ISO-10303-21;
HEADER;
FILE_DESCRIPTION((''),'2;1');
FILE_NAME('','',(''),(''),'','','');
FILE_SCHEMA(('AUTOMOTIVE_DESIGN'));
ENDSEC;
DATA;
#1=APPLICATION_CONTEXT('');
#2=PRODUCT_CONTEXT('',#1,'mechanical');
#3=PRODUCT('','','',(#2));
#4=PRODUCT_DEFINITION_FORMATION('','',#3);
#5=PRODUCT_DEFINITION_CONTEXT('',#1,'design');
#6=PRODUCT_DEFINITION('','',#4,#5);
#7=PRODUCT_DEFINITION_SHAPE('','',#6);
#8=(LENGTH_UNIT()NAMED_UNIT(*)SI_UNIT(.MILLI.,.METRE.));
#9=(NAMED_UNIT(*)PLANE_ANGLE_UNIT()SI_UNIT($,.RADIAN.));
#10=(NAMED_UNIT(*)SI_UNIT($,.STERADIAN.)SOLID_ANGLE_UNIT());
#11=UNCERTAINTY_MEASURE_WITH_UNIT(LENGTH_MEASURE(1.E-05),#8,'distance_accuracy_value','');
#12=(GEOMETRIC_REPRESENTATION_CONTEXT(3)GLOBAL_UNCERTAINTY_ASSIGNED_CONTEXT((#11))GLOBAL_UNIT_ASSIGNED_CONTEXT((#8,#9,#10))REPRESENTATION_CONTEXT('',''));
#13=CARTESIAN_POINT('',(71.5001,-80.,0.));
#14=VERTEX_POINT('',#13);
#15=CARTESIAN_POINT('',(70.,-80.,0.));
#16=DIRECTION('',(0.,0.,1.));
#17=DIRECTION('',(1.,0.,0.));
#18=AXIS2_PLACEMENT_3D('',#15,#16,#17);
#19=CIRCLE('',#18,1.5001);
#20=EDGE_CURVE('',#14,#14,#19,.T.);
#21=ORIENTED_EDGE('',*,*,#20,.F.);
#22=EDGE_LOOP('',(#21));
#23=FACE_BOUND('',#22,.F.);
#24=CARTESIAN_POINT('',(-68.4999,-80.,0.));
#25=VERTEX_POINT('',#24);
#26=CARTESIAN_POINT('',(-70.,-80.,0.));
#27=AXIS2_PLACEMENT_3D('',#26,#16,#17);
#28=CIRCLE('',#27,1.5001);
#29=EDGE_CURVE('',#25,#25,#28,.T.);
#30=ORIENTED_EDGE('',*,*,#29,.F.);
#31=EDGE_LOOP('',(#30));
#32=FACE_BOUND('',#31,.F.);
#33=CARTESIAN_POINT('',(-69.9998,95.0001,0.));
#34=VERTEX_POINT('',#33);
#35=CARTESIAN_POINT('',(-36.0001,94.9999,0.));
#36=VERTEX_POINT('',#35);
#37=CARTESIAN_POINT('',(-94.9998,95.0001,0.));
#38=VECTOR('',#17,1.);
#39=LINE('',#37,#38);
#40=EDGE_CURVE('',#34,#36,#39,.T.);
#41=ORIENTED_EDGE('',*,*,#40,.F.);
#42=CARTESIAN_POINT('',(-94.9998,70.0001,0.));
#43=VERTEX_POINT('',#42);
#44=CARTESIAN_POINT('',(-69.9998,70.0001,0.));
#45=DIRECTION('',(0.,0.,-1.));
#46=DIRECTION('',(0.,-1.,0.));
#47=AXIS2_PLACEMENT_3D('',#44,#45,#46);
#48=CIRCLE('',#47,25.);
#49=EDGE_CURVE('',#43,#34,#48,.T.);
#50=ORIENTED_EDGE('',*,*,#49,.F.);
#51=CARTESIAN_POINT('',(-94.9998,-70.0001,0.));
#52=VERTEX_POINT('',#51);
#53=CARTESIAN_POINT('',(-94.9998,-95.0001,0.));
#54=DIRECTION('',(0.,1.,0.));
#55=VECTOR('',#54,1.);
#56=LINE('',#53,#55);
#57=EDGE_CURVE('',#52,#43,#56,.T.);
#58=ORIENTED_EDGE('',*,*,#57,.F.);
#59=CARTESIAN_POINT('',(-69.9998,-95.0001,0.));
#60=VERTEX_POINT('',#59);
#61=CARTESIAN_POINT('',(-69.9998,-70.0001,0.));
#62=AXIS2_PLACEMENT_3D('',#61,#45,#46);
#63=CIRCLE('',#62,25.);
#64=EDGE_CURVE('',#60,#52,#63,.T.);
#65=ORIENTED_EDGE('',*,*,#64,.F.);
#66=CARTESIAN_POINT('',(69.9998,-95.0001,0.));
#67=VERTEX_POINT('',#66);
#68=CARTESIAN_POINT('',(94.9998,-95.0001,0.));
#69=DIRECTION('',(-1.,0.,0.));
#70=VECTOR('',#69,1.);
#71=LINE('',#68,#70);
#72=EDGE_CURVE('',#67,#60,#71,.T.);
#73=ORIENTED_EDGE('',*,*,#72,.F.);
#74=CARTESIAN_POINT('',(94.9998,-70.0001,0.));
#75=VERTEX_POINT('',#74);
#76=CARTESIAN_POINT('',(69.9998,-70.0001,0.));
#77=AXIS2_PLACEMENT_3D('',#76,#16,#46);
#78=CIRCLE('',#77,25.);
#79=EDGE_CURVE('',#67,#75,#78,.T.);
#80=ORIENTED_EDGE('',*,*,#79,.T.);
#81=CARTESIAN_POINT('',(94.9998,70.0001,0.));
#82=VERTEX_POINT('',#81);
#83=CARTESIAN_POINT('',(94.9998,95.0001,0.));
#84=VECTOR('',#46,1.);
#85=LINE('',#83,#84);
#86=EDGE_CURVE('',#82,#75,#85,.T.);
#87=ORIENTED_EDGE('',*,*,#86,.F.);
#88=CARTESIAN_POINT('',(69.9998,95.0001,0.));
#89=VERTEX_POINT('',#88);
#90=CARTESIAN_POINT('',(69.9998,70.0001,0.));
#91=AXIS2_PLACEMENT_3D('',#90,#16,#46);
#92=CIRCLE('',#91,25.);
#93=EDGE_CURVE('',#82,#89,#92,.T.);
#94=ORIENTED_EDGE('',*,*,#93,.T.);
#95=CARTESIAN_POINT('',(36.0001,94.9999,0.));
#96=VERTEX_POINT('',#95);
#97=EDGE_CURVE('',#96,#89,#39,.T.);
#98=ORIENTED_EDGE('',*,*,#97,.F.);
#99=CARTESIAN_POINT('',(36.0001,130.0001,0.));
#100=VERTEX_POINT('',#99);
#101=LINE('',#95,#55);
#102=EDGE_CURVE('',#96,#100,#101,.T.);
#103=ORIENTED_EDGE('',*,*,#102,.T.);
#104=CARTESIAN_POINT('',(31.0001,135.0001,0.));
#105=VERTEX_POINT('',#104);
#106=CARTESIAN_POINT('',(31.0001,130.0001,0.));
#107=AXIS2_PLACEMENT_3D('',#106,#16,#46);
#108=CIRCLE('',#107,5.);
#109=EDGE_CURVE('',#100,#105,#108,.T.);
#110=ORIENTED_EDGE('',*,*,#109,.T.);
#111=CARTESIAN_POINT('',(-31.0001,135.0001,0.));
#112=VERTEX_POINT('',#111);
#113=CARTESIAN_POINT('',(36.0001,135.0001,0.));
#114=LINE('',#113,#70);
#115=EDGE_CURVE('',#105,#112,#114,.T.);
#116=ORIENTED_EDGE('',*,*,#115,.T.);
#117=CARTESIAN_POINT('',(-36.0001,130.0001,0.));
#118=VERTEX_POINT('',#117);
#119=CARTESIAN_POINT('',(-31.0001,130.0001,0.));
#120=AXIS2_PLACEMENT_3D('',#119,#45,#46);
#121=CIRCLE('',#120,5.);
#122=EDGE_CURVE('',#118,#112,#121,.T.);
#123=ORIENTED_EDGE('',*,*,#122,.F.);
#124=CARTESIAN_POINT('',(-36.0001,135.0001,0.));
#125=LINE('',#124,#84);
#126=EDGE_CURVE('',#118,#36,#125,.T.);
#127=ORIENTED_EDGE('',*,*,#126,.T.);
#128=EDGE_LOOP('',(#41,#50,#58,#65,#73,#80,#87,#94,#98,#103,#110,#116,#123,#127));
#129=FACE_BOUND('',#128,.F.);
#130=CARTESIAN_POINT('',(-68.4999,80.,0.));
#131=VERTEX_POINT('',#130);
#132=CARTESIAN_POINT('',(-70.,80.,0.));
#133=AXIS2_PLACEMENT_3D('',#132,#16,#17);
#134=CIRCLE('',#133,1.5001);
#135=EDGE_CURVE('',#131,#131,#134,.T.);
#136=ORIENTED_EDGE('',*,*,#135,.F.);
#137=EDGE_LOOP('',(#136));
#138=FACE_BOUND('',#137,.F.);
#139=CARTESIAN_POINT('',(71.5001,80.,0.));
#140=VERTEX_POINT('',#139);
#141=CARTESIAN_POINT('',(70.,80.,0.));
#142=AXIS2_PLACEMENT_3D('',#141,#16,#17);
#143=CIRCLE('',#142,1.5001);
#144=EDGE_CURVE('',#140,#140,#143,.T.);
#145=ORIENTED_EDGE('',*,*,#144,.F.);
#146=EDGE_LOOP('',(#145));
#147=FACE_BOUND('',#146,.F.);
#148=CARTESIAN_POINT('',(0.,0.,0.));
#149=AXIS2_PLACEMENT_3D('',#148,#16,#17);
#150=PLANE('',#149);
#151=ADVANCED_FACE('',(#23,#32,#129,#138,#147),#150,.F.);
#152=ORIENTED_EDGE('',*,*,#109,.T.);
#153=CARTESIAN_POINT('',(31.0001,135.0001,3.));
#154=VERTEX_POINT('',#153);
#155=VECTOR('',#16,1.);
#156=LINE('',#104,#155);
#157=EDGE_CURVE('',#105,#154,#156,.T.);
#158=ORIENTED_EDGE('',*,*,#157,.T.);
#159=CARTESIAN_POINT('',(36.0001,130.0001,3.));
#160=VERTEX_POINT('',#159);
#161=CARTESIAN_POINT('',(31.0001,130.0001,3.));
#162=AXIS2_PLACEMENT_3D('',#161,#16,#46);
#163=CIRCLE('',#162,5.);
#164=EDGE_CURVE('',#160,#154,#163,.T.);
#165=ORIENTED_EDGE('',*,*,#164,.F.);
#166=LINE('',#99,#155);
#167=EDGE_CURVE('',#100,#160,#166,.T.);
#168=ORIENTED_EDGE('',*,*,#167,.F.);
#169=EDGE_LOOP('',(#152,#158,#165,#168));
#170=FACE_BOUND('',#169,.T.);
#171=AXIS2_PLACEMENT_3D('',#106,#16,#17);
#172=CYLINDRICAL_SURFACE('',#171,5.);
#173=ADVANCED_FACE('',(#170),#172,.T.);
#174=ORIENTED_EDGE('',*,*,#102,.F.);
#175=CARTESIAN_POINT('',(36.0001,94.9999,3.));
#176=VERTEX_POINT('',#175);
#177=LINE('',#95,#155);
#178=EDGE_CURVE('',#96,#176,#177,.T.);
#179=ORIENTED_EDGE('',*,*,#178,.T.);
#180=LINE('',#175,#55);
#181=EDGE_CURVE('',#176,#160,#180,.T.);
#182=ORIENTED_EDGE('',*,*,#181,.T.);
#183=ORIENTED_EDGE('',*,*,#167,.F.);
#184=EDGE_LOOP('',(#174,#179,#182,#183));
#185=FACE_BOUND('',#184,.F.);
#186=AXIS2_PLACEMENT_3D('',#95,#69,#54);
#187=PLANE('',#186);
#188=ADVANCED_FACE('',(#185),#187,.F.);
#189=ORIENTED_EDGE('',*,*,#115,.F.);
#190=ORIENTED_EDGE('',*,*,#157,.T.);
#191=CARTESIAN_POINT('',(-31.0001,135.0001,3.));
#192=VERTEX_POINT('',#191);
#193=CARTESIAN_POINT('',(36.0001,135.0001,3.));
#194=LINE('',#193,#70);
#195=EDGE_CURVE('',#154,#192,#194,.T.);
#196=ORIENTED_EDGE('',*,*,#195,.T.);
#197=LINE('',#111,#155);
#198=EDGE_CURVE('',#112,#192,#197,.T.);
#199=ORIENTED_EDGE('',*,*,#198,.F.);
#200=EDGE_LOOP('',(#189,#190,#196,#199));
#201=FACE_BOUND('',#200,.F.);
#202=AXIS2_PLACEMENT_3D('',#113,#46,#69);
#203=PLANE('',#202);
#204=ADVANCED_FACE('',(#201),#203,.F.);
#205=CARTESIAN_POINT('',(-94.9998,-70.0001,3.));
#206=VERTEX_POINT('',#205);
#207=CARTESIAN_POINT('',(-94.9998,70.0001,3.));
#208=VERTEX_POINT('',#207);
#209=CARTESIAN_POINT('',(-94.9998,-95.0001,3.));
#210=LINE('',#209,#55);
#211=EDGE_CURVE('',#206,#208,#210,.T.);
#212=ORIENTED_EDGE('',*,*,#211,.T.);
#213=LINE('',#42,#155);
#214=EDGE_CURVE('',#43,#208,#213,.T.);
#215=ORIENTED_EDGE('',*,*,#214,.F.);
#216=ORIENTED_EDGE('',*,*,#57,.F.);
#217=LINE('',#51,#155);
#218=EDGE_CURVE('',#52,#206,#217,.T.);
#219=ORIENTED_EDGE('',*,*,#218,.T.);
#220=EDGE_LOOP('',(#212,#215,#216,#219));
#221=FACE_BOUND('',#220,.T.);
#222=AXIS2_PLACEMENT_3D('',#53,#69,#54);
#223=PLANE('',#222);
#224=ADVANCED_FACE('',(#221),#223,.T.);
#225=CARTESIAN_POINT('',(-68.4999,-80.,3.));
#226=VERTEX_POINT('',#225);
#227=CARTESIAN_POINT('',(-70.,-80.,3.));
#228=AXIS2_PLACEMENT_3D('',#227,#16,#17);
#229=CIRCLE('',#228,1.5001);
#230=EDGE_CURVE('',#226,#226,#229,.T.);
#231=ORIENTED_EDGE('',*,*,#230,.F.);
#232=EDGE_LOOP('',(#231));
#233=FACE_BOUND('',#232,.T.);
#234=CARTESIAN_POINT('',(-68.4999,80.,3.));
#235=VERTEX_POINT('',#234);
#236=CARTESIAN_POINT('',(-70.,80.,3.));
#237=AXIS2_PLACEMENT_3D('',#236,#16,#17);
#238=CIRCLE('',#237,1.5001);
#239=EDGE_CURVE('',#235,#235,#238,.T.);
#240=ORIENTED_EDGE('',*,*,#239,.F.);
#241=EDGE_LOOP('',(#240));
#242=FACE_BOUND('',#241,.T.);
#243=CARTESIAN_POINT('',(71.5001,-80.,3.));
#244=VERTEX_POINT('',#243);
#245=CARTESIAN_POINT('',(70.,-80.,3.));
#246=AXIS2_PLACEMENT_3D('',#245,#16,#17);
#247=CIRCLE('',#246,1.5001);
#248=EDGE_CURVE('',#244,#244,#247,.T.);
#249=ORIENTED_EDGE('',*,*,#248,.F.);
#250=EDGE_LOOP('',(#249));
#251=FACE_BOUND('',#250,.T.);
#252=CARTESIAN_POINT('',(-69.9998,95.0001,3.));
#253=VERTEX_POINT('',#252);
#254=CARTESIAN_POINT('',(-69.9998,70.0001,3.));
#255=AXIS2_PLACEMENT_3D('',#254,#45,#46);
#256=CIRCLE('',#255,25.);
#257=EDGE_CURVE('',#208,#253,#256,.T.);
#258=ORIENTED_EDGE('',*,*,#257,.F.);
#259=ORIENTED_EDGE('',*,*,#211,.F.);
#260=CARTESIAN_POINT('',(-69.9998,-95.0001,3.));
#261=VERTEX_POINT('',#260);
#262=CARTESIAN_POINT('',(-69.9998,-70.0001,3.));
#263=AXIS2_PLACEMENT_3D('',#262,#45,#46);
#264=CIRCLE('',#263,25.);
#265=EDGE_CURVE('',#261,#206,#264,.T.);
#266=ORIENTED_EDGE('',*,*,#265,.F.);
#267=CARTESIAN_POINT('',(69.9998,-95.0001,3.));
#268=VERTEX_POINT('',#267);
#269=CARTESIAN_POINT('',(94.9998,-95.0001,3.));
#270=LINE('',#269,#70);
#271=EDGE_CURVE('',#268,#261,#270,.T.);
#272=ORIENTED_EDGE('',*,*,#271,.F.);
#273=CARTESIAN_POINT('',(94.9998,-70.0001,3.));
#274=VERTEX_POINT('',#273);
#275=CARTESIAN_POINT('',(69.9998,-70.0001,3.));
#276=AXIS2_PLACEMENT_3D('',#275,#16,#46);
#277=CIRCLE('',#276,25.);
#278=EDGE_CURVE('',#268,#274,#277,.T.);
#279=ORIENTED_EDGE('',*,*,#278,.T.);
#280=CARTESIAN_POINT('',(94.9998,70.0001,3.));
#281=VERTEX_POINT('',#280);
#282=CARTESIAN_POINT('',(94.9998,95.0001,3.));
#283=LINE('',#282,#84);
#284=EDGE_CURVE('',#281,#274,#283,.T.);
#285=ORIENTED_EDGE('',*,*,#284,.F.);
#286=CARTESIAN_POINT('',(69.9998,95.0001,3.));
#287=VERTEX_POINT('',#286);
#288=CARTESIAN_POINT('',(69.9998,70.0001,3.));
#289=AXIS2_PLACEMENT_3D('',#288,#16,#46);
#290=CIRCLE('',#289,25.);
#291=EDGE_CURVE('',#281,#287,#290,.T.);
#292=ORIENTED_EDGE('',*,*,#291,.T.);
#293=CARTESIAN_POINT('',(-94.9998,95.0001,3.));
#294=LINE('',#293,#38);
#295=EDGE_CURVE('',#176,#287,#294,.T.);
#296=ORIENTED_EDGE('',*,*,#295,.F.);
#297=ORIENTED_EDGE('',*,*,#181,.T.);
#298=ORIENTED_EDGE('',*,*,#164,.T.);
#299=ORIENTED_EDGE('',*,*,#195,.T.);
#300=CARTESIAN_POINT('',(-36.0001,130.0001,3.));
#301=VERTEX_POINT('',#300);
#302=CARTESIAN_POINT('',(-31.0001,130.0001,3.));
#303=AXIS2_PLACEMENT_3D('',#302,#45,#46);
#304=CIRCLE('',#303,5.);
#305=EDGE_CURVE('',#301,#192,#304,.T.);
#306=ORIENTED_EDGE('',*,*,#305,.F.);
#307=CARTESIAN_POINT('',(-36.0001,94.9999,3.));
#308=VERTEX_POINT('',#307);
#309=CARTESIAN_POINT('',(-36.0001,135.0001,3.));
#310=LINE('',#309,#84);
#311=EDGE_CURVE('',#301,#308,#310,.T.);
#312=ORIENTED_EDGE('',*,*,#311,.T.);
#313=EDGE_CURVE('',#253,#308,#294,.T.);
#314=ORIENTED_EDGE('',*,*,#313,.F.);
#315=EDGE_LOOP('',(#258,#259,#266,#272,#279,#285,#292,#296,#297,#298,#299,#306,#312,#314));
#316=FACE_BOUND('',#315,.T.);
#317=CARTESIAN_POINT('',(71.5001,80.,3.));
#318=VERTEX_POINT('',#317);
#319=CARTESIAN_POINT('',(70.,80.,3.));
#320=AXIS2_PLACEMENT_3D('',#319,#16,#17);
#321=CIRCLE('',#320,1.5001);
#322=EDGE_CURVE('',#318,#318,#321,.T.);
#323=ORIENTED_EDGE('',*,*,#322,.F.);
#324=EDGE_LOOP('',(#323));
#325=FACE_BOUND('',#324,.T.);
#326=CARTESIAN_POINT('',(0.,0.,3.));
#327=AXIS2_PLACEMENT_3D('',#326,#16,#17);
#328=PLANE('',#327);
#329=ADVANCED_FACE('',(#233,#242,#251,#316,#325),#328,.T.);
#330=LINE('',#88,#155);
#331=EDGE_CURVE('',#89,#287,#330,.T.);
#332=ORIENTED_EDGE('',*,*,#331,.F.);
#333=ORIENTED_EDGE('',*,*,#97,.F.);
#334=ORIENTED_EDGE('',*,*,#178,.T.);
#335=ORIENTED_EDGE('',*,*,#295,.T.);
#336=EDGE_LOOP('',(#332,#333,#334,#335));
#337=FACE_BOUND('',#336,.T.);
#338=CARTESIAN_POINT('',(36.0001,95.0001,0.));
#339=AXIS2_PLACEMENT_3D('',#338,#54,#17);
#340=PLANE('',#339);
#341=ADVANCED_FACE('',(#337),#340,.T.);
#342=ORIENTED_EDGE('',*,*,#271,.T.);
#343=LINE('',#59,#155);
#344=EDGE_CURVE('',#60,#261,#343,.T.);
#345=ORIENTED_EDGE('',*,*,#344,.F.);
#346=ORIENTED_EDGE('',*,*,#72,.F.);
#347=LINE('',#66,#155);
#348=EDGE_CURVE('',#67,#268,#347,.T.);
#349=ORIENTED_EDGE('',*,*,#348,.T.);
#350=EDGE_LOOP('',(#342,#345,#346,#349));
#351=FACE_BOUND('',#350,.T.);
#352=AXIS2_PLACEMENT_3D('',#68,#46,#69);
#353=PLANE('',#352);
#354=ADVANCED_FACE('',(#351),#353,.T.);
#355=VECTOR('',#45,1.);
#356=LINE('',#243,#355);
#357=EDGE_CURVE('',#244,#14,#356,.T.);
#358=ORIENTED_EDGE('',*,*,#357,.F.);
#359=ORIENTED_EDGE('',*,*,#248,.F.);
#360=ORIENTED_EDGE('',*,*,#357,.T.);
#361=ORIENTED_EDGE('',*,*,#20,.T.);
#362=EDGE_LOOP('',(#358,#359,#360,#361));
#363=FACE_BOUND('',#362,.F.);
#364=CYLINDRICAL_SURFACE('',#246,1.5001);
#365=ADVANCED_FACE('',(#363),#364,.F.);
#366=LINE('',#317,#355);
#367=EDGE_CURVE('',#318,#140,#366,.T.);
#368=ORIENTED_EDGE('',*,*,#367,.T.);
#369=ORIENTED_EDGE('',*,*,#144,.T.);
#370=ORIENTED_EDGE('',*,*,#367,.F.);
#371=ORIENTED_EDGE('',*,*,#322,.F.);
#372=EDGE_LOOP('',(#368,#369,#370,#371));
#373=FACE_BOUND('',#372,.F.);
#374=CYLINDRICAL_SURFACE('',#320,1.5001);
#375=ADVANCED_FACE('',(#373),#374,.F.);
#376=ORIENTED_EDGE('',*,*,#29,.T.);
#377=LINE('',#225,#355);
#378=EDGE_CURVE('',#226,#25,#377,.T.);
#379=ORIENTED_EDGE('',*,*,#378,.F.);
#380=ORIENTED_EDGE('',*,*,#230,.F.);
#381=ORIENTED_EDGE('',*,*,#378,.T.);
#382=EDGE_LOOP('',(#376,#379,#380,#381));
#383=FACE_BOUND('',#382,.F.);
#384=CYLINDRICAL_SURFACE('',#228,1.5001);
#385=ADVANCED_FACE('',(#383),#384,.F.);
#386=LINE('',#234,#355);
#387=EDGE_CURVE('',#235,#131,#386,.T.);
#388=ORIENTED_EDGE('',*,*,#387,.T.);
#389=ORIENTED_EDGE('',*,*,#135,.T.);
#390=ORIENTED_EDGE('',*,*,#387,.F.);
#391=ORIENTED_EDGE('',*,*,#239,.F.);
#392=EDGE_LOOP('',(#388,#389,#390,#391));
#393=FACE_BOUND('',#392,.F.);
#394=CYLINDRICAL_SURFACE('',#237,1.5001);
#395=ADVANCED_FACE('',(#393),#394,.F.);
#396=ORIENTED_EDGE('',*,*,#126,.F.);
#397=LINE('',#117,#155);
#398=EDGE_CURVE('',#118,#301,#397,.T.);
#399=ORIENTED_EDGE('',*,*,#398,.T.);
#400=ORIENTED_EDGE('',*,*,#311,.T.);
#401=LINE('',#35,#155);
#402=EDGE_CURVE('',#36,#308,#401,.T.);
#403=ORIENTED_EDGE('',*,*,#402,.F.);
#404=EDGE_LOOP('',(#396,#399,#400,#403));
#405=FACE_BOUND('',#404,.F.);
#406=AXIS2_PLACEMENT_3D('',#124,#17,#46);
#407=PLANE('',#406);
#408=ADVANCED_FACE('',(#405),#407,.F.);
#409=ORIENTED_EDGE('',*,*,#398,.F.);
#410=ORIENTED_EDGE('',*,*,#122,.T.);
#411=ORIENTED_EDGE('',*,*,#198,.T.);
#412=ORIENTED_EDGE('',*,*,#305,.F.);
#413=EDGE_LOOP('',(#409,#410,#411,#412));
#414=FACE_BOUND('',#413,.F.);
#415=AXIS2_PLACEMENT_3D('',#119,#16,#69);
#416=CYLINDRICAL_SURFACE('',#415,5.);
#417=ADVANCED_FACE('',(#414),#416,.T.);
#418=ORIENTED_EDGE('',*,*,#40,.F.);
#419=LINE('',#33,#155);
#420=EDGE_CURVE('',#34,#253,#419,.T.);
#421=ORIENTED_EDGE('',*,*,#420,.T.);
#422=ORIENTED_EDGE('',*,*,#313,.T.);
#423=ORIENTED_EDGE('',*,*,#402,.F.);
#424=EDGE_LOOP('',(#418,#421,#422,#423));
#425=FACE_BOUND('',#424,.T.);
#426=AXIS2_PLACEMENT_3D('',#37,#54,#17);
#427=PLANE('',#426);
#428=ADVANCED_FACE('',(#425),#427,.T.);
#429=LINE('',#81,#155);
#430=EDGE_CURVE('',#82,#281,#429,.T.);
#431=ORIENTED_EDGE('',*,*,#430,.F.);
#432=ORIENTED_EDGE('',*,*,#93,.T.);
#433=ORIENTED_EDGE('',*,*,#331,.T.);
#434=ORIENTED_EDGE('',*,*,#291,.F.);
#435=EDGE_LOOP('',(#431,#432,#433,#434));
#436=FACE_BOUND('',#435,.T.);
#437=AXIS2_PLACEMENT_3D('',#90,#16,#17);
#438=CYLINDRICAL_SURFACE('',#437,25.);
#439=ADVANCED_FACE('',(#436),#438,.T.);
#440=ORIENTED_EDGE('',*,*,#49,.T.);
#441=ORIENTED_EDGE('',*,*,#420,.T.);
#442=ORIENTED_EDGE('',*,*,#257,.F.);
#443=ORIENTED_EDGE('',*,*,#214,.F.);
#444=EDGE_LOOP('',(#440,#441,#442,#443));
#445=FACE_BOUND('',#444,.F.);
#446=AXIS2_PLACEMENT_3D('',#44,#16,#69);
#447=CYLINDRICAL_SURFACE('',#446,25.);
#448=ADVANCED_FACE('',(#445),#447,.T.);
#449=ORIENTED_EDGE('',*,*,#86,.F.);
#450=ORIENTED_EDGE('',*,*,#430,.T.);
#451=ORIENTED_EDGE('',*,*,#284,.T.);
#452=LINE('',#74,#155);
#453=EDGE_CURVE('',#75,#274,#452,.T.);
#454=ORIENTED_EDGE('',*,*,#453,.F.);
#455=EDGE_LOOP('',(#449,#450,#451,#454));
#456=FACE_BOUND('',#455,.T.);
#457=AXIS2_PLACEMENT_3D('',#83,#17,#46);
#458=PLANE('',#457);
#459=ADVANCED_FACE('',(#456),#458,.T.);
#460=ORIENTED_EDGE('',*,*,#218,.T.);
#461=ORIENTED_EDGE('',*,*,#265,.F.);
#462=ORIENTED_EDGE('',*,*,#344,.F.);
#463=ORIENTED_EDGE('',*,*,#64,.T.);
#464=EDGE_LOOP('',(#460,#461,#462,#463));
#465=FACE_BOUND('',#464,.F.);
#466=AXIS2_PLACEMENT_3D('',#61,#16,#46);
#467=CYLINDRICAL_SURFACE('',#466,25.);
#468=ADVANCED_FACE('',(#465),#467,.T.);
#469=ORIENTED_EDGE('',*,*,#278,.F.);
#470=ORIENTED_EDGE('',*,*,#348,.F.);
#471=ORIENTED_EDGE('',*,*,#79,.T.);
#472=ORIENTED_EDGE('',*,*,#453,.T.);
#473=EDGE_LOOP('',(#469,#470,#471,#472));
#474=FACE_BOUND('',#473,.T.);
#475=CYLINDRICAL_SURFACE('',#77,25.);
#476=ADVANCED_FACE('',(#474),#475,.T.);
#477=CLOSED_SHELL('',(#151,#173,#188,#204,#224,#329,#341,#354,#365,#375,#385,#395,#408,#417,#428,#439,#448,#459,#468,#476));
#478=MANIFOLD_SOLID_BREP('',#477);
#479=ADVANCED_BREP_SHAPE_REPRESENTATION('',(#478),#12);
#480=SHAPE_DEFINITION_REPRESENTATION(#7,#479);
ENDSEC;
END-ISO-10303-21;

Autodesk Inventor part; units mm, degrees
ref_plane "YZ Plane" through (0, 0, 0) normal (1, 0, 0) x (0, 1, 0)
ref_plane "XZ Plane" through (0, 0, 0) normal (0, 1, 0) x (-1, 0, 0)
ref_plane "XY Plane" through (0, 0, 0) normal (0, 0, 1) x (1, 0, 0)
sketch "Sketch1" plane through (0, 0, 0) normal (0, 0, 1) x (1, 0, 0)
  point P0 (0, 0)
sketch "Sketch2" plane through (0, 0, 0) normal (0, 0, 1) x (1, 0, 0)
  line L0 (94.9998, -95.0001) -> (-94.9998, -95.0001)
  line L1 (-94.9998, -95.0001) -> (-94.9998, 95.0001)
  line L2 (-94.9998, 95.0001) -> (94.9998, 95.0001)
  line L3 (94.9998, 95.0001) -> (94.9998, -95.0001)
  line L4 (94.9998, -95.0001) -> (-94.9998, 95.0001) construction
  line L5 (-94.9998, -95.0001) -> (94.9998, 95.0001) construction
  line L6 (-36.0001, 94.9999) -> (36.0001, 94.9999)
  line L7 (36.0001, 94.9999) -> (36.0001, 135.0001)
  line L8 (36.0001, 135.0001) -> (-36.0001, 135.0001)
  line L9 (-36.0001, 135.0001) -> (-36.0001, 94.9999)
  line L10 (-36.0001, 94.9999) -> (36.0001, 135.0001) construction
  line L11 (36.0001, 94.9999) -> (-36.0001, 135.0001) construction
  point P0 (0, 115)
  point P1 (-36.0001, 95.0001)
  point P2 (36.0001, 95.0001)
extrude "Extrusion1" add sketch "Sketch2" along normal blind 3
sketch "Standoff holes" plane through (0, 0, 3) normal (0, 0, 1) x (1, 0, 0)
  circle A0 centre (70, 80) radius 1.5001
  circle A1 centre (70, -80) radius 1.5001
  circle A2 centre (-70, 80) radius 1.5001
  circle A3 centre (-70, -80) radius 1.5001
extrude "Extrusion2" cut sketch "Standoff holes" against normal blind 3
fillet "Fillet5" radius 25 4 edges at (-94.9998, 95.0001, 1.5) (94.9998, 95.0001, 1.5) (-94.9998, -95.0001, 1.5) (94.9998, -95.0001, 1.5)
fillet "Fillet6" radius 5 2 edges at (-36.0001, 135.0001, 1.5) (36.0001, 135.0001, 1.5)
sketch "Large Hammond mount holes" plane through (0, 0, 3) normal (0, 0, 1) x (1, 0, 0)
  circle A0 centre (17.6939, 39.717) radius 2.0002
  circle A1 centre (-18.3061, 125.717) radius 2.0002
sketch "BNC flange mount" plane through (0, 0, 3) normal (0, 0, 1) x (1, 0, 0)
  circle A0 centre (0, 0) radius 6.5
sketch "PX4FLOW mount holes" plane through (0, 0, 0) normal (0, 0, -1) x (-1, 0, 0)
  circle A0 centre (19.5263, 119.2212) radius 1.5872
  circle A1 centre (-4.2863, 119.2212) radius 1.5872
  circle A2 centre (-4.2863, 119.2212) radius 1.5872
  circle A3 centre (-4.2863, 89.0588) radius 1.5872
  circle A4 centre (19.5263, 89.0588) radius 1.5872
sketch "Guard rails mount holes" plane through (0, 0, 0) normal (0, 0, -1) x (-1, 0, 0)
  circle A0 centre (-32.3501, 38.3605) radius 1.2501
  circle A1 centre (-38.3605, 32.3501) radius 1.2501
  circle A2 centre (-60.6344, 66.6448) radius 1.2501
  circle A3 centre (-66.6448, 60.6344) radius 1.2501
  circle A4 centre (-38.3605, -32.3501) radius 1.2501
  circle A5 centre (-32.3501, -38.3605) radius 1.2501
  circle A6 centre (-66.6448, -60.6344) radius 1.2501
  circle A7 centre (-60.6344, -66.6448) radius 1.2501
  circle A8 centre (32.3501, -38.3605) radius 1.2501
  circle A9 centre (38.3605, -32.3501) radius 1.2501
  circle A10 centre (60.6344, -66.6448) radius 1.2501
  circle A11 centre (66.6448, -60.6344) radius 1.2501
  circle A12 centre (38.3605, 32.3501) radius 1.2501
  circle A13 centre (32.3501, 38.3605) radius 1.2501
  circle A14 centre (66.6448, 60.6344) radius 1.2501
  circle A15 centre (60.6344, 66.6448) radius 1.2501
properties part number "payload_bay_square_drill_holes" material "CFRP"
